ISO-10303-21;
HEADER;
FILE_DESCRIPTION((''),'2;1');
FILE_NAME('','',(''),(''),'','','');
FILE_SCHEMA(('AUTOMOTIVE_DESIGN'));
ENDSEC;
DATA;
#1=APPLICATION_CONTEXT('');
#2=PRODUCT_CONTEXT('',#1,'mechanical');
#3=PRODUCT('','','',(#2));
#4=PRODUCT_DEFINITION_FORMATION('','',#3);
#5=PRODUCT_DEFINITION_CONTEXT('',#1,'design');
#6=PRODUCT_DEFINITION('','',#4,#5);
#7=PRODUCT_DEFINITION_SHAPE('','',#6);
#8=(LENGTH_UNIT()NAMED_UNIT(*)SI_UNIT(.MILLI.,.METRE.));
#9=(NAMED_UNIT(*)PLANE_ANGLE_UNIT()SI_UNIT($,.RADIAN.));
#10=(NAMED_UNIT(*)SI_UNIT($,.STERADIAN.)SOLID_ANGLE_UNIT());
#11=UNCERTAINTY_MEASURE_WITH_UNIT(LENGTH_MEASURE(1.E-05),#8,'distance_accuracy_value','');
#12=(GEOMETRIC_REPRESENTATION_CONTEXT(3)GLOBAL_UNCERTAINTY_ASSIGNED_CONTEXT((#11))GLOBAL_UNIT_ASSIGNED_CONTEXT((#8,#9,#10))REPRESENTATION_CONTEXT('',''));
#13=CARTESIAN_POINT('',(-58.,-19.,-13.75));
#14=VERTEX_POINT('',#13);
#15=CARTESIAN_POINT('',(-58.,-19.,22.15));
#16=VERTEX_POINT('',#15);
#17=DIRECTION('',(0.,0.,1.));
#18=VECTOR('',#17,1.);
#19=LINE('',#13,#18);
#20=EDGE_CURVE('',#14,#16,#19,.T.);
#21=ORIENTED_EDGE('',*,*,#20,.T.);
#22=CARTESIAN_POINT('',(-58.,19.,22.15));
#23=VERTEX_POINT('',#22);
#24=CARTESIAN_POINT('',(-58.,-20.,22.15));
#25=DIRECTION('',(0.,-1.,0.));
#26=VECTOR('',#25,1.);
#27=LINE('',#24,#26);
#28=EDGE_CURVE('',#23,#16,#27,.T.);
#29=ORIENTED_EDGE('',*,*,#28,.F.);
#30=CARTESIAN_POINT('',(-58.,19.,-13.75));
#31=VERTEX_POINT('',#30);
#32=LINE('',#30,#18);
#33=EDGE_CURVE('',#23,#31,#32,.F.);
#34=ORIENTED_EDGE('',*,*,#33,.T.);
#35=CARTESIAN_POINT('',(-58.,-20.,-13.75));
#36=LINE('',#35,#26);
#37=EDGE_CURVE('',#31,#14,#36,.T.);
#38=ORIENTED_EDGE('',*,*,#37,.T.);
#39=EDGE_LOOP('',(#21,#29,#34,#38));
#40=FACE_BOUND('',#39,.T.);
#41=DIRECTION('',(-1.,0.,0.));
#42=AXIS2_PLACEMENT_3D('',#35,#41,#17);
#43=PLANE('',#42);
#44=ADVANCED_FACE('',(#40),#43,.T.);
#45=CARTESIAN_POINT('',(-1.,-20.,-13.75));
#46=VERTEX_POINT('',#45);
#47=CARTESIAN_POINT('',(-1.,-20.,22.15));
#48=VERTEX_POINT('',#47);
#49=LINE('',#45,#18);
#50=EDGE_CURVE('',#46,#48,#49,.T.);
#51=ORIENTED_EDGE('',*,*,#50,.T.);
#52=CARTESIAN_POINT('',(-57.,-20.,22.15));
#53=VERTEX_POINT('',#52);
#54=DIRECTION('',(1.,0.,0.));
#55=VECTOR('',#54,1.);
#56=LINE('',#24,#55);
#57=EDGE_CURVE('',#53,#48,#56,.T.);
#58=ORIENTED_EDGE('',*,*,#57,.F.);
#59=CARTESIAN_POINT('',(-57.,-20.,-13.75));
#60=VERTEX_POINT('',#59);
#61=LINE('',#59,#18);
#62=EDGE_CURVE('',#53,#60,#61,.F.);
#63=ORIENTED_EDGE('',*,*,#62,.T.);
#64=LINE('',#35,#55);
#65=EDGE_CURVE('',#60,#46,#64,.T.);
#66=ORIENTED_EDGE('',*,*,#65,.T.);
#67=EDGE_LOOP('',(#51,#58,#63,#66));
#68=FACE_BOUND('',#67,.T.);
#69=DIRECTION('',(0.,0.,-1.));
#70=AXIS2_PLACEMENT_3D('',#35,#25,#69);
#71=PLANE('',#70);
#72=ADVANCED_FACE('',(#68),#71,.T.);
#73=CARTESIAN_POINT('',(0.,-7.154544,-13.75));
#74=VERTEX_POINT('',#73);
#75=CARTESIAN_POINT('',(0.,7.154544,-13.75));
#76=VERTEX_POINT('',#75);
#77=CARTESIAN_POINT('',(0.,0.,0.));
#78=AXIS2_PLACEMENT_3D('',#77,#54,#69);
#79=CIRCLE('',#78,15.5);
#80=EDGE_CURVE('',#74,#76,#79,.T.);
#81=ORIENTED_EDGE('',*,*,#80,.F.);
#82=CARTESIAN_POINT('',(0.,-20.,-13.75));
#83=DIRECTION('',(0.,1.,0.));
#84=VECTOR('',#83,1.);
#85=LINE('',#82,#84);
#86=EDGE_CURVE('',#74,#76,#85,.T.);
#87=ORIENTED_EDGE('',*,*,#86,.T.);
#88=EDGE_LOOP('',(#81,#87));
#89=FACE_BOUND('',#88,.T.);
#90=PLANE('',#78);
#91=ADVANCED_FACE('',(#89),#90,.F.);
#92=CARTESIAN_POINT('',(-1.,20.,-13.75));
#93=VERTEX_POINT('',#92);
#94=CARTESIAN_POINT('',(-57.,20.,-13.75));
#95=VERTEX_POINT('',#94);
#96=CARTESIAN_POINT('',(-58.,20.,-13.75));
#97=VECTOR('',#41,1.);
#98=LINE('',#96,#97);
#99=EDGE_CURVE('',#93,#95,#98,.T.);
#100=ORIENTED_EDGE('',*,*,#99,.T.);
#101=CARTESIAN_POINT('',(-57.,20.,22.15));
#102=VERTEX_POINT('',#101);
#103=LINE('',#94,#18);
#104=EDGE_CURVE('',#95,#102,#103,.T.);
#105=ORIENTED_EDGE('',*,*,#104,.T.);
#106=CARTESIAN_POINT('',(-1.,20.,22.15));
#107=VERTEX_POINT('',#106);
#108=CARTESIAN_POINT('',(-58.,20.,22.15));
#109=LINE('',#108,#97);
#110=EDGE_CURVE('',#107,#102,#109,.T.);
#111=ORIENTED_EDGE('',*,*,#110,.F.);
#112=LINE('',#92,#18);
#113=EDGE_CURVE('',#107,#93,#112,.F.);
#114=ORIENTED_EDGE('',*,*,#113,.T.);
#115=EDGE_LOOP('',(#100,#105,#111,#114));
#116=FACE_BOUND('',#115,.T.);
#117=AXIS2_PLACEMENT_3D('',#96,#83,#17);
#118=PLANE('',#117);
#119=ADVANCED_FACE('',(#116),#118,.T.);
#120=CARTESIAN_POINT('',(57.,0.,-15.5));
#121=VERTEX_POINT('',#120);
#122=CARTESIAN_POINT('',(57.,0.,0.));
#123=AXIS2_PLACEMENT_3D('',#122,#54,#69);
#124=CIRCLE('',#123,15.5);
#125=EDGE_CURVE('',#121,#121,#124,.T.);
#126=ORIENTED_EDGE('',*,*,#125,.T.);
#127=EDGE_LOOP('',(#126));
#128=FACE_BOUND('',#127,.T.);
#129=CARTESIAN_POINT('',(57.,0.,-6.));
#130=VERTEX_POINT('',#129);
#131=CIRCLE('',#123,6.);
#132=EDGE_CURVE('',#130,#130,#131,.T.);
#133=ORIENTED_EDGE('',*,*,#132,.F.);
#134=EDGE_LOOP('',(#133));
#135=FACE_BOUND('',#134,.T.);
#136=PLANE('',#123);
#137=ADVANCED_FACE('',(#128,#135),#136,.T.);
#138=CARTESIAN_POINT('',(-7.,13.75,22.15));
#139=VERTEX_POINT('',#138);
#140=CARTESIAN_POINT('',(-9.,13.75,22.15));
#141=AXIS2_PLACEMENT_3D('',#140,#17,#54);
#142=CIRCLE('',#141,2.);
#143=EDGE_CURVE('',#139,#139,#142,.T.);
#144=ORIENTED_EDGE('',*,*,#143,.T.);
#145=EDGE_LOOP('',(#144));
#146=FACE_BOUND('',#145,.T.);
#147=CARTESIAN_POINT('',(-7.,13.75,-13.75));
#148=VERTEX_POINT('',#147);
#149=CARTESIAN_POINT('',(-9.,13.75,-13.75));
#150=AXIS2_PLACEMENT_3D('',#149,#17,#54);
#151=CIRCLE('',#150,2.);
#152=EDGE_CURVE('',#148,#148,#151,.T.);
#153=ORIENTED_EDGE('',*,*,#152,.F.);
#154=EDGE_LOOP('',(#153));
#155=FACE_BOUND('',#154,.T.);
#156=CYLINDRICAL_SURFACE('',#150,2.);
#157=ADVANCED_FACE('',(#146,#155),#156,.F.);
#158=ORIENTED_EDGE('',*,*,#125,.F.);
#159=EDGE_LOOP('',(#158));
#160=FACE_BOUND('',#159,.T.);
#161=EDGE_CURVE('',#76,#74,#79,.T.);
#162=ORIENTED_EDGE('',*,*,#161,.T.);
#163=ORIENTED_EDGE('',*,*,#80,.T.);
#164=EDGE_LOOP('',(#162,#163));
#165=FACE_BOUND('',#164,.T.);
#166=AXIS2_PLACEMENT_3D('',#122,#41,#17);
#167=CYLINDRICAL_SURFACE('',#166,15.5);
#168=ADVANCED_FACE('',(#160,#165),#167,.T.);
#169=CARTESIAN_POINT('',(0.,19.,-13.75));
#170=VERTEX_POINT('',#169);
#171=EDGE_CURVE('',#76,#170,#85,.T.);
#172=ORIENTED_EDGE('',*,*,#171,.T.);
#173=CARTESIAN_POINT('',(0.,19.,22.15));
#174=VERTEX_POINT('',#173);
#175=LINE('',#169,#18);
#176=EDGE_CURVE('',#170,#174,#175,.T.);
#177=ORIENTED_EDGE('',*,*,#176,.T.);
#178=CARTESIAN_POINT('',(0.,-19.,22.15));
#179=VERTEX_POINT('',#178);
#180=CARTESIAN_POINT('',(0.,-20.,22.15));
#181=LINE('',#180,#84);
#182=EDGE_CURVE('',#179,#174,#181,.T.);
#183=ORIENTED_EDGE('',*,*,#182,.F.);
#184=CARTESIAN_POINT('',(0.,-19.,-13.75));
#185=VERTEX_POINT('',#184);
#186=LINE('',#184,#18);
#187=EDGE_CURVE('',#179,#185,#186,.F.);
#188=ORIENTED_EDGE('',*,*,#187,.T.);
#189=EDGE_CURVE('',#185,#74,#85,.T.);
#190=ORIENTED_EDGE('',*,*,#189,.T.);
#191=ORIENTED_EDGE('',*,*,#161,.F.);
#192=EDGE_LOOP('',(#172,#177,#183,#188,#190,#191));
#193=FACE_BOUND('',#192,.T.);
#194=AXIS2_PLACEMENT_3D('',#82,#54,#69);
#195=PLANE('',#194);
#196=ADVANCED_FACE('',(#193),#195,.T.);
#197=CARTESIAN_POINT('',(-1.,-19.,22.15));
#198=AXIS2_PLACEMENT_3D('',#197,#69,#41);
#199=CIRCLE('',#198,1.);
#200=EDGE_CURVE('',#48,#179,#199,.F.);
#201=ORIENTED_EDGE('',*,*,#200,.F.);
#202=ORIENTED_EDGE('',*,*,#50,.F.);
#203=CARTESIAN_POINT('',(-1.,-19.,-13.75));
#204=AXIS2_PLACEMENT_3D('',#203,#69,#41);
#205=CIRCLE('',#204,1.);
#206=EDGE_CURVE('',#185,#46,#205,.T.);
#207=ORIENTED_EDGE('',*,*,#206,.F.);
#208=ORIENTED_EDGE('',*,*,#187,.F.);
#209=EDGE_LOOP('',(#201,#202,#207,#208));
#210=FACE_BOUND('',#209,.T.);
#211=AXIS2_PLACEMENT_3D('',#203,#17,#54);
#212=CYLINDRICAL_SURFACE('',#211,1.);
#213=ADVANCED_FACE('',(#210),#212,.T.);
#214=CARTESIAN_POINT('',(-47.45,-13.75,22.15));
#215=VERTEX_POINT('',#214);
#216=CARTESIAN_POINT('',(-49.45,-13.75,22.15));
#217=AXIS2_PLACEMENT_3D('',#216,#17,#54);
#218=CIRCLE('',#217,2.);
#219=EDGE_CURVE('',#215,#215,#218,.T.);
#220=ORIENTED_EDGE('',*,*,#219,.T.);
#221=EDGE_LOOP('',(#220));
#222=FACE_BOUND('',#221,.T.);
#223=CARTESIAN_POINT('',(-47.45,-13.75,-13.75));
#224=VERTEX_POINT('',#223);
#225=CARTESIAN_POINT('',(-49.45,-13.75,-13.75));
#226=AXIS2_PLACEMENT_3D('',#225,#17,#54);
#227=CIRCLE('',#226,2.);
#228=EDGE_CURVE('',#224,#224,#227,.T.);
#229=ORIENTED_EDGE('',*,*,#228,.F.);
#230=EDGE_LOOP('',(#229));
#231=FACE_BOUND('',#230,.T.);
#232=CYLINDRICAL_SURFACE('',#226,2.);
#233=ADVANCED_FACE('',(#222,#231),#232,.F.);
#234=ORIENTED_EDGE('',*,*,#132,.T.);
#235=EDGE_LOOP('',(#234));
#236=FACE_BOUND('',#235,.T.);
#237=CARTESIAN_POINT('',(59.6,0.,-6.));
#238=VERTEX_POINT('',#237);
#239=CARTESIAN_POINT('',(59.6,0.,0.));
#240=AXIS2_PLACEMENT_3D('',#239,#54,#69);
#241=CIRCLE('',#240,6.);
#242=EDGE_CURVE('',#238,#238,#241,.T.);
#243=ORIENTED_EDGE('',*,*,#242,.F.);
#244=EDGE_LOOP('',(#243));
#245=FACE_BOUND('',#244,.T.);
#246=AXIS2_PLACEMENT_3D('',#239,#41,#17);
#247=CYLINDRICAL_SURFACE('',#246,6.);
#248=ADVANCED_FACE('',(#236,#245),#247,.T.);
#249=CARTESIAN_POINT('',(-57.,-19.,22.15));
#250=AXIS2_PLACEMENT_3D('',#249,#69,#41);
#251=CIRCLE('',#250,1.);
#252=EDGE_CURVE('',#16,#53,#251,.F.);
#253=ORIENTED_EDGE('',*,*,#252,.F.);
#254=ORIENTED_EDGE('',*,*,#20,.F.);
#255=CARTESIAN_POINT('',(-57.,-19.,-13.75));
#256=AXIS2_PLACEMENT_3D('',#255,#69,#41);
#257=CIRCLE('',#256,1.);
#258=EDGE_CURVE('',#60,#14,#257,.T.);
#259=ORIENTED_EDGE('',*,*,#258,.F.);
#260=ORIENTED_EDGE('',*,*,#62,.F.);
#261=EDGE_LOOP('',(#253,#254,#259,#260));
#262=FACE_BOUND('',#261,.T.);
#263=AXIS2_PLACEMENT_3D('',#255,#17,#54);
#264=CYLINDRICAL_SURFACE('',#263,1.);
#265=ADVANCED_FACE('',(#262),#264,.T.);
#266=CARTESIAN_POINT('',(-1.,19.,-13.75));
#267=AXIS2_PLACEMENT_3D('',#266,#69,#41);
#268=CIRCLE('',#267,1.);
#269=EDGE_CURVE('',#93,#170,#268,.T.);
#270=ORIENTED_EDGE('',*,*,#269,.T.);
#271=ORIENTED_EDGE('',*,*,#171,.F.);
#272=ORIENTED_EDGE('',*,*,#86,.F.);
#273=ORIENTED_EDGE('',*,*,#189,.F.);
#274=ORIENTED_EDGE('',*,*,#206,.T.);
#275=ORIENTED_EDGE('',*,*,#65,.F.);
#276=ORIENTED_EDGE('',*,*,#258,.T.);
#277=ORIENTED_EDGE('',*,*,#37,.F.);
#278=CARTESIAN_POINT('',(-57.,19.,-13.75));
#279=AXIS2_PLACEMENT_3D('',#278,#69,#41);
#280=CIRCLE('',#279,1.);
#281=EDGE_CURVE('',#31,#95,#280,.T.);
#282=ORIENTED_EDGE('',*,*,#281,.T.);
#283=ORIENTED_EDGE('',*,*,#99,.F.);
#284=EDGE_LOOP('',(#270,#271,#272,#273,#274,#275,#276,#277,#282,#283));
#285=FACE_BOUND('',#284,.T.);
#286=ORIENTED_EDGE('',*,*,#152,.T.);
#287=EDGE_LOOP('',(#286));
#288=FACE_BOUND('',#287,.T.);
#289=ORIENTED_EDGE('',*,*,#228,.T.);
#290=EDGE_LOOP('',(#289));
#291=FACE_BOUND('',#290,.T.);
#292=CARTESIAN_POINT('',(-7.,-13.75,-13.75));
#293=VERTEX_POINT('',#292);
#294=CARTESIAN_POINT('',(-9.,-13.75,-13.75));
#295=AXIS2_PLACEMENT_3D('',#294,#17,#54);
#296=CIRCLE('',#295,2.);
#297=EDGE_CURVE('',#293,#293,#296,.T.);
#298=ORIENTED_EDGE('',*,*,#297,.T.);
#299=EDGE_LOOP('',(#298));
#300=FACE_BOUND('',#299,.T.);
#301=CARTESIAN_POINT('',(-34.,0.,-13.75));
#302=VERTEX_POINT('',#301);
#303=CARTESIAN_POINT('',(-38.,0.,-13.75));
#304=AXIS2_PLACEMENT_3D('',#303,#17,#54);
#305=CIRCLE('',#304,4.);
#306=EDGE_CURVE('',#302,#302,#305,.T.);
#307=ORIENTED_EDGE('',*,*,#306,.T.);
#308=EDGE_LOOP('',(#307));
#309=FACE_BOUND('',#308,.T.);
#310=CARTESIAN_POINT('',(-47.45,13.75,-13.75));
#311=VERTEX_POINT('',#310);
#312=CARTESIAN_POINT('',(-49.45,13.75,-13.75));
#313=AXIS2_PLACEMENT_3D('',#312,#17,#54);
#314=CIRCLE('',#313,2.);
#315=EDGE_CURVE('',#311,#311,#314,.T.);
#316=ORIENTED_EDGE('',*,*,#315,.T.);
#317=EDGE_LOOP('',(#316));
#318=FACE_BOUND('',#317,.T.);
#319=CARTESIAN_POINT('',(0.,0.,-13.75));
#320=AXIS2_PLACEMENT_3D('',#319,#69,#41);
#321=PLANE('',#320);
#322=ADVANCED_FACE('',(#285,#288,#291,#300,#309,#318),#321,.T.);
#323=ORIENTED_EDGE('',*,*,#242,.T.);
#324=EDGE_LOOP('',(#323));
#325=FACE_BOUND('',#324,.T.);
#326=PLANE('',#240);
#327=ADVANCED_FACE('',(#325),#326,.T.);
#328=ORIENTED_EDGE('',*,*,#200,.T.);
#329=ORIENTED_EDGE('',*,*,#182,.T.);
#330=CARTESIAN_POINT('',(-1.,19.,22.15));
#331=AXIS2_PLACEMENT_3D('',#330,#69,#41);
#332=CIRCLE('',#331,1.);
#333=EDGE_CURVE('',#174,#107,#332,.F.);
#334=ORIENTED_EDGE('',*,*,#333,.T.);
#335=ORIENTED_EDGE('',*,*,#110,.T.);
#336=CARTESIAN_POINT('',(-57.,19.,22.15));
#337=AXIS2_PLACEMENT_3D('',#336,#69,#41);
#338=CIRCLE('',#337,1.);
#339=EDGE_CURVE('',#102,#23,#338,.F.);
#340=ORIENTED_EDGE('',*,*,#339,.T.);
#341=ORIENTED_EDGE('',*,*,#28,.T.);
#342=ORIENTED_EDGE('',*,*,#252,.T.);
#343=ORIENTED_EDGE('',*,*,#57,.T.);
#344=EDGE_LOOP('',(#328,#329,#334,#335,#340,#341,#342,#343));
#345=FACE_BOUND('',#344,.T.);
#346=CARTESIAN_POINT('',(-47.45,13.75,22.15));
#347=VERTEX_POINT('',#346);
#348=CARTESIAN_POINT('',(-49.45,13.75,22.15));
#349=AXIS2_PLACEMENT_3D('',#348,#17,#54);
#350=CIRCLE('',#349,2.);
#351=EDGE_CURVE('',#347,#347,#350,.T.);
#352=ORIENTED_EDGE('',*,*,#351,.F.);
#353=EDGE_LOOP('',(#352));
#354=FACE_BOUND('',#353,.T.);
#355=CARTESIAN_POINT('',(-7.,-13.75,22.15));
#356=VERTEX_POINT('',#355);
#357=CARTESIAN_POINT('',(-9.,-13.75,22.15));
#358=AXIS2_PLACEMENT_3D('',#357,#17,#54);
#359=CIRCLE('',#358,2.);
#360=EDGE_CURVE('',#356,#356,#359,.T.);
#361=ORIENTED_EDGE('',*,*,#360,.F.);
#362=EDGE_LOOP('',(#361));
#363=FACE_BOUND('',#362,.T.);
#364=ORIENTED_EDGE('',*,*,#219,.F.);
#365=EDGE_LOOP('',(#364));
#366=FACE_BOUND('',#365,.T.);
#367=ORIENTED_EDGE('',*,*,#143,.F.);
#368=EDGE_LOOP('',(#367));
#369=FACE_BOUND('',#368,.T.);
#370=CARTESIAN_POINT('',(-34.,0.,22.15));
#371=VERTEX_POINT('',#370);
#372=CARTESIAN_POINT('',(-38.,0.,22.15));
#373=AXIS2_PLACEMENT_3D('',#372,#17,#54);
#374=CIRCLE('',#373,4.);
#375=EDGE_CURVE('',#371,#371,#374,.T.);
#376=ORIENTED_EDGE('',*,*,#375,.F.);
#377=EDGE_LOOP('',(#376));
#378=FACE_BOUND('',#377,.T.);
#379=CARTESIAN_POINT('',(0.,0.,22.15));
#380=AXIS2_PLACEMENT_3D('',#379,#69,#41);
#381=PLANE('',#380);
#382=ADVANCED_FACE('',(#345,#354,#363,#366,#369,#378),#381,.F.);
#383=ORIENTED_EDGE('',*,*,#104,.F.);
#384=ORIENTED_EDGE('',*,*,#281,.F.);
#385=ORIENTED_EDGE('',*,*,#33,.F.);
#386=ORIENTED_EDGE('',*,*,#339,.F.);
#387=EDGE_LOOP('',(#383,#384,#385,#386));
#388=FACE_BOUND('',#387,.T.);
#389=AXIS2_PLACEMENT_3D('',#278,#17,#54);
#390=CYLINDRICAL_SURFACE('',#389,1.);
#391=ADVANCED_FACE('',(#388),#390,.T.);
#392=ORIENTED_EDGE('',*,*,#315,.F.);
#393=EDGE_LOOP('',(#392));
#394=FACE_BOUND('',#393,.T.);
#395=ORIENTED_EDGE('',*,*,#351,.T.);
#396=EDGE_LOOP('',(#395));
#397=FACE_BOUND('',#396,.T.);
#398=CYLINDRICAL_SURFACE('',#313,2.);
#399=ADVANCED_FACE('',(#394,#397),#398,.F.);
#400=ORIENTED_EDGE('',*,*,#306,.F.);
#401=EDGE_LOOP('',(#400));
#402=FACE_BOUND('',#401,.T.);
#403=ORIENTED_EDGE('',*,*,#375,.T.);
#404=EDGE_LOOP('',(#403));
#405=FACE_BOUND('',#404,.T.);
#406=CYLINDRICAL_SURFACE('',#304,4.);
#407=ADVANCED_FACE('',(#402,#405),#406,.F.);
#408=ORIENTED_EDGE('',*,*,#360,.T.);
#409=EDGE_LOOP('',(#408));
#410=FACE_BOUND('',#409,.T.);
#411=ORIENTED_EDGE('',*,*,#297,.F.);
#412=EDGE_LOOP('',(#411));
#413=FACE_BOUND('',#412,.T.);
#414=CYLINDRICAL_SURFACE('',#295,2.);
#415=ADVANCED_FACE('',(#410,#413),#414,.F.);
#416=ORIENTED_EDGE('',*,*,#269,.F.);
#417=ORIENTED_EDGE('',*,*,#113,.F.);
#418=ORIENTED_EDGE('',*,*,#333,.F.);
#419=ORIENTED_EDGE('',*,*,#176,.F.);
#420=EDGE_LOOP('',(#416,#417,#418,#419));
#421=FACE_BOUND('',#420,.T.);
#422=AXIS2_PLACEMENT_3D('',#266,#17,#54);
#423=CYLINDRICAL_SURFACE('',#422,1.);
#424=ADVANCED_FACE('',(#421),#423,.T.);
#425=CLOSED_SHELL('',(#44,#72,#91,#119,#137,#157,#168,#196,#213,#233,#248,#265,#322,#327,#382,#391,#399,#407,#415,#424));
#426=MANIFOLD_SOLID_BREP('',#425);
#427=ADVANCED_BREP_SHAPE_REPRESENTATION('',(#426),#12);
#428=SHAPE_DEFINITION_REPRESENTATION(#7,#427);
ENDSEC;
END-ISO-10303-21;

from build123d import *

# Parameters (mm, degrees)
SKETCH1_R                = 15.5
BOSS_EXTRUDE1_DEPTH      = 57
SKETCH2_R                = 6
BOSS_EXTRUDE2_DEPTH      = 2.6
SKETCH3_W                = 58
SKETCH3_H                = 40
SKETCH3_R                = 2
SKETCH3_R_2              = 4
BOSS_EXTRUDE3_DEPTH      = 22.15
BOSS_EXTRUDE3_DEPTH_BACK = 13.75
FILLET1_R                = 1


with BuildPart() as part:
    # Sketch1 → Boss-Extrude1 (new body)
    with BuildSketch(Plane(origin=(0, 0, 0), x_dir=(0, 0, -1), z_dir=(1, 0, 0))):
        Circle(SKETCH1_R)
    extrude(amount=BOSS_EXTRUDE1_DEPTH)

    # Sketch2 → Boss-Extrude2 (add)
    with BuildSketch(Plane(origin=(57, 0, 0), x_dir=(0, 0, -1), z_dir=(1, 0, 0))):
        Circle(SKETCH2_R)
    extrude(amount=BOSS_EXTRUDE2_DEPTH)

    # Sketch3 → Boss-Extrude3 (add, two sides)
    with BuildSketch(Plane.XY) as boss_extrude3_sk:
        with Locations((-29, 0)):
            Rectangle(SKETCH3_W, SKETCH3_H)
        with Locations((-9, 13.75)):
            Circle(SKETCH3_R, mode=Mode.SUBTRACT)
        with Locations((-49.45, 13.75)):
            Circle(SKETCH3_R, mode=Mode.SUBTRACT)
        with Locations((-49.45, -13.75)):
            Circle(SKETCH3_R, mode=Mode.SUBTRACT)
        with Locations((-9, -13.75)):
            Circle(SKETCH3_R, mode=Mode.SUBTRACT)
        with Locations((-38, 0)):
            Circle(SKETCH3_R_2, mode=Mode.SUBTRACT)
    extrude(amount=BOSS_EXTRUDE3_DEPTH)
    extrude(boss_extrude3_sk.sketch, amount=-BOSS_EXTRUDE3_DEPTH_BACK)

    # Fillet1
    fillet1_edges = [part.edges().sort_by_distance(p)[0] for p in [
        (0, 20, 4.2),
        (0, -20, 4.2),
        (-58, -20, 4.2),
        (-58, 20, 4.2),
    ]]
    fillet(fillet1_edges, radius=FILLET1_R)


solid = part.part
